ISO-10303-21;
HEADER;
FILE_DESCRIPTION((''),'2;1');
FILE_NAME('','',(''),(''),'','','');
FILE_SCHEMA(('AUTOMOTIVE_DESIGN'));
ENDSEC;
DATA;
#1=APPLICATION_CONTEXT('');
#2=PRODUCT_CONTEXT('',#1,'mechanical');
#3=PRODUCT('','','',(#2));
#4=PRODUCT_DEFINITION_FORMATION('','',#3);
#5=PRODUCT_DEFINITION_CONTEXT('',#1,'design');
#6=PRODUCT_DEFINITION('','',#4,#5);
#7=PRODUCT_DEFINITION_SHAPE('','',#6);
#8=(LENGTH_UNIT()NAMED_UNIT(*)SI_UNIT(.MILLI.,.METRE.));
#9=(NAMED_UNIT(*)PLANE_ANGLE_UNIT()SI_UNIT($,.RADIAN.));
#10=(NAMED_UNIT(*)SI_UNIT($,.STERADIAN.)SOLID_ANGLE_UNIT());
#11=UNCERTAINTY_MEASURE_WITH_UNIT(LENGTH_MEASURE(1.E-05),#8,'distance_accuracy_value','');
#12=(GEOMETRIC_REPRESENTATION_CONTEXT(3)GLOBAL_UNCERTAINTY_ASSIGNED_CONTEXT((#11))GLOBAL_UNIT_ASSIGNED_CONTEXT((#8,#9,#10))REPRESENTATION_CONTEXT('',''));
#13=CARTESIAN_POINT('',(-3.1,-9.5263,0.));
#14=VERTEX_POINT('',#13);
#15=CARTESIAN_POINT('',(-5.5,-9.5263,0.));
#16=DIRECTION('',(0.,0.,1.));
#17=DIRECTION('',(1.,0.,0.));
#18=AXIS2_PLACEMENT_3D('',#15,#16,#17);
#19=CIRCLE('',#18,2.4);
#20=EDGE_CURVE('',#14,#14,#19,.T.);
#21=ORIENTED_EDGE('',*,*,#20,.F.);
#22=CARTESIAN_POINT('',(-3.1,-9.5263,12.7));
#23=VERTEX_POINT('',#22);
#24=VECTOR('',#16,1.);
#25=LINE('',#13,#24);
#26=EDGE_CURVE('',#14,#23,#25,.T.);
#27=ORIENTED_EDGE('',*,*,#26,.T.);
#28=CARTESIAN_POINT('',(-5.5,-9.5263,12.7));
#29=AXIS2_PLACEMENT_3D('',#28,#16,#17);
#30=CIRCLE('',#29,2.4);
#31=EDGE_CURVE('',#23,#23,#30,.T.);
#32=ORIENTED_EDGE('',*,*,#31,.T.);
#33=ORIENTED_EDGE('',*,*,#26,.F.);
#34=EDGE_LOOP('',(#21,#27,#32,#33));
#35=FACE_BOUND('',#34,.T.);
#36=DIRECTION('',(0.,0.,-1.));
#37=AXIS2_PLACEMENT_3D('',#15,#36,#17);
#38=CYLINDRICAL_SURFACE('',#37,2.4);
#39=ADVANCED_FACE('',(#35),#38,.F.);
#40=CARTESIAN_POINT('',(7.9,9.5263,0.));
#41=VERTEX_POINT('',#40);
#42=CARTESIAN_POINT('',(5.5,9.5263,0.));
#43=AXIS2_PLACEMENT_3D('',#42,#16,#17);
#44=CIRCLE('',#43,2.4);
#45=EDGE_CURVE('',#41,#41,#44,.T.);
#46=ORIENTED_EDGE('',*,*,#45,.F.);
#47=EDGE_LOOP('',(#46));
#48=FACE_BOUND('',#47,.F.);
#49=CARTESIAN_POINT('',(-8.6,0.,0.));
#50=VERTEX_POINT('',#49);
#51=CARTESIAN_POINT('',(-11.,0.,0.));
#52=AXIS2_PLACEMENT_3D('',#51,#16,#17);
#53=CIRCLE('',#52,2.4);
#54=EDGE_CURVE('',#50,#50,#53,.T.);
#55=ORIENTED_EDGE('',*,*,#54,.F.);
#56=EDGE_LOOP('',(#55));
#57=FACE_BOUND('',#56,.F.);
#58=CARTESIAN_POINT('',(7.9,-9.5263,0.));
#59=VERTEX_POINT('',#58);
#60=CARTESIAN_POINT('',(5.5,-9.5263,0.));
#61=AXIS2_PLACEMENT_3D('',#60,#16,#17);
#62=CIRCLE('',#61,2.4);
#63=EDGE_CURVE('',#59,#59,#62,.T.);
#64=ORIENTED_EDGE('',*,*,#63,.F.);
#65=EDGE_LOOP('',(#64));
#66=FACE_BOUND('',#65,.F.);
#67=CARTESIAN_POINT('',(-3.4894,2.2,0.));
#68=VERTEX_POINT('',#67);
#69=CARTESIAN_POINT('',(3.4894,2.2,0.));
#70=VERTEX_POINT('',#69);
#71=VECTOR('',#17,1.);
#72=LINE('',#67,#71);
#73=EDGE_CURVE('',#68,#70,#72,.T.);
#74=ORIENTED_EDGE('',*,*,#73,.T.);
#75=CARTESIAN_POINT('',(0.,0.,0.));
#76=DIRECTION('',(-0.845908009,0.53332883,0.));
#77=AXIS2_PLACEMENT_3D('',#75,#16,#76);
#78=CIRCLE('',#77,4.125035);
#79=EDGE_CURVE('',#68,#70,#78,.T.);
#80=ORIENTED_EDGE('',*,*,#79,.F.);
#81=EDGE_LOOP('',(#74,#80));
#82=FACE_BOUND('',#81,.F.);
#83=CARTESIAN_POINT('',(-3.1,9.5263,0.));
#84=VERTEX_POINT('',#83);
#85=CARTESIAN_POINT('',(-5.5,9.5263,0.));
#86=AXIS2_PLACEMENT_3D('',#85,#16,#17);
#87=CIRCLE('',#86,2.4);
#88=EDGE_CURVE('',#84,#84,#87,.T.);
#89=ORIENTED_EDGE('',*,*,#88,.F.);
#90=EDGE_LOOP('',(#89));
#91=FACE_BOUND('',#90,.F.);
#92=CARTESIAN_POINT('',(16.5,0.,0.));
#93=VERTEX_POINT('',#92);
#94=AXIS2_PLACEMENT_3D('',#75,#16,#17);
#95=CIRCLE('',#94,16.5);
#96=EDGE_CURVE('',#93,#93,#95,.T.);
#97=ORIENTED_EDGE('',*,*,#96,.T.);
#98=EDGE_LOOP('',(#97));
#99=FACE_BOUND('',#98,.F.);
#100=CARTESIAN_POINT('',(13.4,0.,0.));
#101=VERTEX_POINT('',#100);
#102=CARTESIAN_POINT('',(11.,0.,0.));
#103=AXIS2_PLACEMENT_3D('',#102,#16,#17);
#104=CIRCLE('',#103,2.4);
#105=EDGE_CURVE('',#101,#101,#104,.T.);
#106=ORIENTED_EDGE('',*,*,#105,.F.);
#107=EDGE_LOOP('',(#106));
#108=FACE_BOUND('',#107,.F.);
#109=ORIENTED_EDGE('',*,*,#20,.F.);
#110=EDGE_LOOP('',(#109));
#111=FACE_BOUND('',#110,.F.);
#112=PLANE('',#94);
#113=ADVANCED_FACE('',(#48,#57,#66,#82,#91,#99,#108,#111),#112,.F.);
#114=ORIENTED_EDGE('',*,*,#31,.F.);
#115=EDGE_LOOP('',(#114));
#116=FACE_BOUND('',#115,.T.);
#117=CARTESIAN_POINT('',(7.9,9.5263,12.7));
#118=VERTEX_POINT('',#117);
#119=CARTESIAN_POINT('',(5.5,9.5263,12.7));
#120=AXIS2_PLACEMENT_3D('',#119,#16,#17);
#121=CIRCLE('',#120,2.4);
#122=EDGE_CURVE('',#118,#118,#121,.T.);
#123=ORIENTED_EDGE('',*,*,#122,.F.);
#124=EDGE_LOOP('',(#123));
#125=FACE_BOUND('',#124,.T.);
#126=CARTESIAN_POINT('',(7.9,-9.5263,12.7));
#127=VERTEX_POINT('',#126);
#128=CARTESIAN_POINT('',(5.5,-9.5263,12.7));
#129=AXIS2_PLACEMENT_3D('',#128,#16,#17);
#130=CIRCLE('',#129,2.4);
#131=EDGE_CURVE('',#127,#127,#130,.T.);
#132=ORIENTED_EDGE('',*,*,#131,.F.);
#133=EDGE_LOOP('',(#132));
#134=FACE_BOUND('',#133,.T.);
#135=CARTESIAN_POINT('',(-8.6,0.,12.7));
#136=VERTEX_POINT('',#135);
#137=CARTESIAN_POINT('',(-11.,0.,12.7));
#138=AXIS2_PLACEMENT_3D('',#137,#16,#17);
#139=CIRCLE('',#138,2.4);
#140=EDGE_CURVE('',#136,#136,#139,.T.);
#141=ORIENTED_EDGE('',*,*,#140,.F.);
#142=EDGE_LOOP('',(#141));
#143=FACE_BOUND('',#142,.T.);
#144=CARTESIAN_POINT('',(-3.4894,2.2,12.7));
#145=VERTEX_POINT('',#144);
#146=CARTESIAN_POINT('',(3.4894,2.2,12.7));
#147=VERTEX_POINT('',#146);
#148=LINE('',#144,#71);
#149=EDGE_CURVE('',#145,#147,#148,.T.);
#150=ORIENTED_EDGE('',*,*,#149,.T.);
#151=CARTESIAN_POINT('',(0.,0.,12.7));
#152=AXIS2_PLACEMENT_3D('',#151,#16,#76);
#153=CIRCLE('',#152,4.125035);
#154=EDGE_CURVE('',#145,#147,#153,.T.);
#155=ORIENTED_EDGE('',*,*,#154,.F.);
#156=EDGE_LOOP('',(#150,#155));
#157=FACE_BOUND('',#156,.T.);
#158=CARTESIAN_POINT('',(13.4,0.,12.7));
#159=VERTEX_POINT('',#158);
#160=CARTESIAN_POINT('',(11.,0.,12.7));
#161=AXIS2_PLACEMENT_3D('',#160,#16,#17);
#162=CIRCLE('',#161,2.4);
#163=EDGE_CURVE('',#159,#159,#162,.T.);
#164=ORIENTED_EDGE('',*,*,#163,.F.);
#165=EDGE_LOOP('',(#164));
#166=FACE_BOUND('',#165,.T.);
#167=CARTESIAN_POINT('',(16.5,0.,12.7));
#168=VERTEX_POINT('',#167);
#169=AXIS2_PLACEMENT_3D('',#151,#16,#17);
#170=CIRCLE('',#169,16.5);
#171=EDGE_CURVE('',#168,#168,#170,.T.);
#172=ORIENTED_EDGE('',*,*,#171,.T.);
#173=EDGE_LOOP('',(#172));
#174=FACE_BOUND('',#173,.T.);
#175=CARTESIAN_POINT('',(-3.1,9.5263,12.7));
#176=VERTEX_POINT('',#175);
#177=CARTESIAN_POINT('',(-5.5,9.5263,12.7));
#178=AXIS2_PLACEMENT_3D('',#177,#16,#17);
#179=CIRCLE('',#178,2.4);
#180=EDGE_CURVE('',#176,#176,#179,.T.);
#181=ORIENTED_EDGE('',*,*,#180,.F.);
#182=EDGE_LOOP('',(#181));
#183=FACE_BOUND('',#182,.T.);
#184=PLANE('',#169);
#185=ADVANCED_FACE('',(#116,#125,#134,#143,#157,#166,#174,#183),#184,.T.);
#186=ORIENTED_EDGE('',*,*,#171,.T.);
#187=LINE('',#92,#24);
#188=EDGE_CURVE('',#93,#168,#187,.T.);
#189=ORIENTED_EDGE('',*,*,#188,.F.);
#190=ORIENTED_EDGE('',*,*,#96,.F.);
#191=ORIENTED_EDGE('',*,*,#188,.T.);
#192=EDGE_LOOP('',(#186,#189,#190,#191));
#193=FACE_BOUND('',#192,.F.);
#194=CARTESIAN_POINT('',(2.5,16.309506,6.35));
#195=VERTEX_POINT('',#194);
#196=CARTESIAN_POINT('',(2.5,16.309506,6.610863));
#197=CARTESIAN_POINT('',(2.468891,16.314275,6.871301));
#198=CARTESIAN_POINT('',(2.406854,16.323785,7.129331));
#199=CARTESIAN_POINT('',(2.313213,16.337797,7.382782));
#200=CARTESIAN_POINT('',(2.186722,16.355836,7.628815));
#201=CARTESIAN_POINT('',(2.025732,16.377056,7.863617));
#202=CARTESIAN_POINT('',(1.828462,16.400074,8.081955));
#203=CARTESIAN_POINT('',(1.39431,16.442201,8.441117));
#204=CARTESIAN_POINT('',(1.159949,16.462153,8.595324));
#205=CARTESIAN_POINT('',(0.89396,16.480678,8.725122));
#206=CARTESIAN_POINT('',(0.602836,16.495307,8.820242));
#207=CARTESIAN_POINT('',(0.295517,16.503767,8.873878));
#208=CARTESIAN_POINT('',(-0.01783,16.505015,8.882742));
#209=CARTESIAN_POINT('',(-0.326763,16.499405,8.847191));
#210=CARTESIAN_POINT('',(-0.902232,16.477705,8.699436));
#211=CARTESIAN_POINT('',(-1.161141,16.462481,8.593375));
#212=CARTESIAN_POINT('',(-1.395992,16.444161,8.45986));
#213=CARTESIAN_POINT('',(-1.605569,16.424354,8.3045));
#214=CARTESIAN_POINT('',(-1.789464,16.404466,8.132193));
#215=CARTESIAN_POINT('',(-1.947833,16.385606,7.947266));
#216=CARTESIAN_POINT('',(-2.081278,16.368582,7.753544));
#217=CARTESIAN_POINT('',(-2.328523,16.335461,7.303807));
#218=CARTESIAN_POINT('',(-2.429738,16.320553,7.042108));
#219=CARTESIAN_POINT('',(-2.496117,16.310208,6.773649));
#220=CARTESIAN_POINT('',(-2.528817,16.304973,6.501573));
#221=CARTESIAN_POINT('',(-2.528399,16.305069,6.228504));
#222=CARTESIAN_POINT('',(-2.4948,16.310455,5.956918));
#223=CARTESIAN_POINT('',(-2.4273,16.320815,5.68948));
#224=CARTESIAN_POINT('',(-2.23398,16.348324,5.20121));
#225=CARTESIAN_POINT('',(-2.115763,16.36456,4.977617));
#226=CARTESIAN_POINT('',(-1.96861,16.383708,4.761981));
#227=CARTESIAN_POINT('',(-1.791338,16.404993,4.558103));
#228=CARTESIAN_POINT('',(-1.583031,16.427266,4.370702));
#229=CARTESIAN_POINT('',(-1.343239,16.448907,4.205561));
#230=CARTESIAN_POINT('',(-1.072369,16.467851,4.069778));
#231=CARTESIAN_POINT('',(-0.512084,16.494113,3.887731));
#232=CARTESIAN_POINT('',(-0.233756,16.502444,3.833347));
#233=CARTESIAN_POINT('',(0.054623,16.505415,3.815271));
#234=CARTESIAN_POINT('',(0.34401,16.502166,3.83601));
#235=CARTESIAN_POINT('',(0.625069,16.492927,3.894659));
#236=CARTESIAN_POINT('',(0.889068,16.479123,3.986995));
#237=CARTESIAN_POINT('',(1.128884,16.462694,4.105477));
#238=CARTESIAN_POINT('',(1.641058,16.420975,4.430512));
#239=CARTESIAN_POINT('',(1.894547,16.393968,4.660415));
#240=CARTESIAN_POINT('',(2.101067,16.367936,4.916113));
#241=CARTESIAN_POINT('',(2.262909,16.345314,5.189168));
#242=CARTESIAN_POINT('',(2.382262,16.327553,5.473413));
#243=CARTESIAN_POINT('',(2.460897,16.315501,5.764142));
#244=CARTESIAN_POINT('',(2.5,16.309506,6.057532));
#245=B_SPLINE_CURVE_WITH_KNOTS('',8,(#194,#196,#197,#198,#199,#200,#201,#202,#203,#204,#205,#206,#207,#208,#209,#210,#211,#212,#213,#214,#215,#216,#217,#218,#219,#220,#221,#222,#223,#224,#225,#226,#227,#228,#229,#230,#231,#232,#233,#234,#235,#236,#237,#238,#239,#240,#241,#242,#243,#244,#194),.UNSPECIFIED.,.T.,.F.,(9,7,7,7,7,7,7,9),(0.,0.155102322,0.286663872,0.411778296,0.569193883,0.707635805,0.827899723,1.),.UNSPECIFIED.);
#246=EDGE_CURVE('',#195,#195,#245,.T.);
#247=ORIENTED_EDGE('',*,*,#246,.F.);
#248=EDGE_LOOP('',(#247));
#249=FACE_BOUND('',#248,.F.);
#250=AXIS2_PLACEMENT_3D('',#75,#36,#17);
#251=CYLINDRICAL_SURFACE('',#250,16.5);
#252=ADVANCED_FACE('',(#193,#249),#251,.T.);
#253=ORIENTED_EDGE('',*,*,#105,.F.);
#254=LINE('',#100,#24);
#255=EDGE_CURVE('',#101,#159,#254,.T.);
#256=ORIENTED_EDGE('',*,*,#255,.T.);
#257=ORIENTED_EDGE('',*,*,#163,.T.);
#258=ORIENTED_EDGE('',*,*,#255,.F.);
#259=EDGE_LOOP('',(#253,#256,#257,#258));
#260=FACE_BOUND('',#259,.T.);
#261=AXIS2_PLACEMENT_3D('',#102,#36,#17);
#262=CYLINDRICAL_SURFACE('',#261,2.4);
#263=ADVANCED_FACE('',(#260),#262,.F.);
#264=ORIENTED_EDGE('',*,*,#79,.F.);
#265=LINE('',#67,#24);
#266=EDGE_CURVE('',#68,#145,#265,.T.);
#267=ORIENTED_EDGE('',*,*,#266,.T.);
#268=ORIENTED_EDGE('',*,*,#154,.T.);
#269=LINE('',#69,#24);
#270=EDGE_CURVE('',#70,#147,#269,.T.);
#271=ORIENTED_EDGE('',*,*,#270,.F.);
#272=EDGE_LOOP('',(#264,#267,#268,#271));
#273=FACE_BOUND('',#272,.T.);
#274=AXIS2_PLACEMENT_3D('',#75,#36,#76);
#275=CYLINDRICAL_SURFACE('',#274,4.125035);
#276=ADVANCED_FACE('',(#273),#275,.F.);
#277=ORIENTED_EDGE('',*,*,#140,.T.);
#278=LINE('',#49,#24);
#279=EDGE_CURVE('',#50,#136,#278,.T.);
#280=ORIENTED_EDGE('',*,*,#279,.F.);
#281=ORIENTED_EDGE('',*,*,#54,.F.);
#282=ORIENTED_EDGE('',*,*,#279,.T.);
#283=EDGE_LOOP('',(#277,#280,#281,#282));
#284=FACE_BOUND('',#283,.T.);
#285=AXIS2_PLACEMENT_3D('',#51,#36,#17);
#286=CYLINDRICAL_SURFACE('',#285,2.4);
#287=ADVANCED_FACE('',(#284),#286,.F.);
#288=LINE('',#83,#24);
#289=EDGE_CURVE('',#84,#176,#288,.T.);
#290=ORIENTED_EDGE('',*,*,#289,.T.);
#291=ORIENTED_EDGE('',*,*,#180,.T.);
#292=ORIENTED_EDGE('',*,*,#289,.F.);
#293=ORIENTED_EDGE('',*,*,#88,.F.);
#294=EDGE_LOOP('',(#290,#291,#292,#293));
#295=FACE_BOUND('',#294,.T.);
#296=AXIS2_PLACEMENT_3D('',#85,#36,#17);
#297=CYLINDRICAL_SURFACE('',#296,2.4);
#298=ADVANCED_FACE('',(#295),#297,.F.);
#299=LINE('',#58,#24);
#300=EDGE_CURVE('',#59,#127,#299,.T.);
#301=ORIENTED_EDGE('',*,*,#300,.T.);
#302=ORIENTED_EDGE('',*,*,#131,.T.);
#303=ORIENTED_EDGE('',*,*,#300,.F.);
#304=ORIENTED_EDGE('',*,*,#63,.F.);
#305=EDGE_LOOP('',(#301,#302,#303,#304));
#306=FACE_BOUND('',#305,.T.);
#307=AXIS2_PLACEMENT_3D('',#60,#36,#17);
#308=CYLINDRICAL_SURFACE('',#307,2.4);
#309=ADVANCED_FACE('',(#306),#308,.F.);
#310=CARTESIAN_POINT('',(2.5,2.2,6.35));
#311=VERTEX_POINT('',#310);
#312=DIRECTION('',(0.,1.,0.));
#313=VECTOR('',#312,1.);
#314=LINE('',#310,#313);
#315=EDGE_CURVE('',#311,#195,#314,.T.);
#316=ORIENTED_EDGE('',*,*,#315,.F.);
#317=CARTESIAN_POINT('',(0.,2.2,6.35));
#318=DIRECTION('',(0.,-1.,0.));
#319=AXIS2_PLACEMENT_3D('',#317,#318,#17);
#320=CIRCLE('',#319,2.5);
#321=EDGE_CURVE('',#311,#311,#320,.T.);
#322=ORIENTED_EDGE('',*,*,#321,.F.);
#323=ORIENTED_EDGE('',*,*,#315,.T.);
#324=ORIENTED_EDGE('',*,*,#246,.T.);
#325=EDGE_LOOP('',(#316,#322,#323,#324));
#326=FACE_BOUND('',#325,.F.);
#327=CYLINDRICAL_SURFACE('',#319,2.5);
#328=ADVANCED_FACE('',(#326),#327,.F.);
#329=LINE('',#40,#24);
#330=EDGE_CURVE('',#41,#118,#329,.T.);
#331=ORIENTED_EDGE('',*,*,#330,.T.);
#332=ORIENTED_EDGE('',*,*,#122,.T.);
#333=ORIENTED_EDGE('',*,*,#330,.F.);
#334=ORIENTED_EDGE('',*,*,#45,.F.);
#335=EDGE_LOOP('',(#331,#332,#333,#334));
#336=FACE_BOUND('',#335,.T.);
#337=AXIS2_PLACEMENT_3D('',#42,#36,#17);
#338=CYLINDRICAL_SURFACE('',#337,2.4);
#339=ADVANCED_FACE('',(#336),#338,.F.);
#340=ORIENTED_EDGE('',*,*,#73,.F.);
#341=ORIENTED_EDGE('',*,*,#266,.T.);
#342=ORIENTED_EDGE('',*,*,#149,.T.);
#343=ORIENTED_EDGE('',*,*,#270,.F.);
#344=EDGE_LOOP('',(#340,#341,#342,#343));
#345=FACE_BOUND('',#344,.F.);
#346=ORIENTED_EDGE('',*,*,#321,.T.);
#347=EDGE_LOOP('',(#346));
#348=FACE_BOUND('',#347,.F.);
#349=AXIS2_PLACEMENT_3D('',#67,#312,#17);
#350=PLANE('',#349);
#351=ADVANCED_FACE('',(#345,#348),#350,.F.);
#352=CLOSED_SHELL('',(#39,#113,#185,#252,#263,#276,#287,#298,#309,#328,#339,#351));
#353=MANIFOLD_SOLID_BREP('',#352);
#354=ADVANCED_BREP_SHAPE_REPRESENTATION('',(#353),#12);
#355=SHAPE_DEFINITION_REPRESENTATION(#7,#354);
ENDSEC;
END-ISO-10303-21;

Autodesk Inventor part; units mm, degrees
ref_plane "YZ Plane" through (0, 0, 0) normal (1, 0, 0) x (0, 1, 0)
ref_plane "XZ Plane" through (0, 0, 0) normal (0, 1, 0) x (-1, 0, 0)
ref_plane "XY Plane" through (0, 0, 0) normal (0, 0, 1) x (1, 0, 0)
sketch "Sketch9" plane through (0, 0, 0) normal (0, 0, 1) x (1, 0, 0)
  circle A0 centre (0, 0) radius 4.125 construction
  circle A1 centre (0, 0) radius 16.5
  circle A2 centre (11, 0) radius 2.4
  circle A3 centre (5.5, 9.5263) radius 2.4
  circle A4 centre (-5.5, 9.5263) radius 2.4
  line L0 (-3.4894, 2.2) -> (3.4894, 2.2)
  arc A5 (-3.4894, 2.2) -> (3.4894, 2.2) centre (0, 0) ccw
  circle A6 centre (-11, 0) radius 2.4
  circle A7 centre (-5.5, -9.5263) radius 2.4
  circle A8 centre (5.5, -9.5263) radius 2.4
  dimension "d25" = 8.25
  dimension "d26" = 33
  dimension "d27" = 4.8
  dimension "d31" = 360
  dimension "d33" = 2.2
  dimension "d36" = 11
extrude "Extrusion8" add sketch "Sketch9" along normal blind 12.7
sketch "Sketch10" plane through (-3.4894, 2.2, 0) normal (0, -1, 0) x (1, 0, 0)
  line L0 (6.9787, 0) -> (0, 0) projected
  line L1 (6.9787, 0) -> (6.9787, 12.7) projected
  line L2 (0, 12.7) -> (6.9787, 12.7) projected
  line L3 (0, 0) -> (0, 12.7) projected
  circle A0 centre (3.4894, 6.35) radius 2.5
  point P0 (3.4894, 0)
  point P1 (3.4894, 12.7)
  point P2 (0, 6.35)
  dimension "d37" = 5
extrude "Extrusion9" cut sketch "Sketch10" against normal through all contours A0
properties part number "AA055" material "Aluminum 6061"
